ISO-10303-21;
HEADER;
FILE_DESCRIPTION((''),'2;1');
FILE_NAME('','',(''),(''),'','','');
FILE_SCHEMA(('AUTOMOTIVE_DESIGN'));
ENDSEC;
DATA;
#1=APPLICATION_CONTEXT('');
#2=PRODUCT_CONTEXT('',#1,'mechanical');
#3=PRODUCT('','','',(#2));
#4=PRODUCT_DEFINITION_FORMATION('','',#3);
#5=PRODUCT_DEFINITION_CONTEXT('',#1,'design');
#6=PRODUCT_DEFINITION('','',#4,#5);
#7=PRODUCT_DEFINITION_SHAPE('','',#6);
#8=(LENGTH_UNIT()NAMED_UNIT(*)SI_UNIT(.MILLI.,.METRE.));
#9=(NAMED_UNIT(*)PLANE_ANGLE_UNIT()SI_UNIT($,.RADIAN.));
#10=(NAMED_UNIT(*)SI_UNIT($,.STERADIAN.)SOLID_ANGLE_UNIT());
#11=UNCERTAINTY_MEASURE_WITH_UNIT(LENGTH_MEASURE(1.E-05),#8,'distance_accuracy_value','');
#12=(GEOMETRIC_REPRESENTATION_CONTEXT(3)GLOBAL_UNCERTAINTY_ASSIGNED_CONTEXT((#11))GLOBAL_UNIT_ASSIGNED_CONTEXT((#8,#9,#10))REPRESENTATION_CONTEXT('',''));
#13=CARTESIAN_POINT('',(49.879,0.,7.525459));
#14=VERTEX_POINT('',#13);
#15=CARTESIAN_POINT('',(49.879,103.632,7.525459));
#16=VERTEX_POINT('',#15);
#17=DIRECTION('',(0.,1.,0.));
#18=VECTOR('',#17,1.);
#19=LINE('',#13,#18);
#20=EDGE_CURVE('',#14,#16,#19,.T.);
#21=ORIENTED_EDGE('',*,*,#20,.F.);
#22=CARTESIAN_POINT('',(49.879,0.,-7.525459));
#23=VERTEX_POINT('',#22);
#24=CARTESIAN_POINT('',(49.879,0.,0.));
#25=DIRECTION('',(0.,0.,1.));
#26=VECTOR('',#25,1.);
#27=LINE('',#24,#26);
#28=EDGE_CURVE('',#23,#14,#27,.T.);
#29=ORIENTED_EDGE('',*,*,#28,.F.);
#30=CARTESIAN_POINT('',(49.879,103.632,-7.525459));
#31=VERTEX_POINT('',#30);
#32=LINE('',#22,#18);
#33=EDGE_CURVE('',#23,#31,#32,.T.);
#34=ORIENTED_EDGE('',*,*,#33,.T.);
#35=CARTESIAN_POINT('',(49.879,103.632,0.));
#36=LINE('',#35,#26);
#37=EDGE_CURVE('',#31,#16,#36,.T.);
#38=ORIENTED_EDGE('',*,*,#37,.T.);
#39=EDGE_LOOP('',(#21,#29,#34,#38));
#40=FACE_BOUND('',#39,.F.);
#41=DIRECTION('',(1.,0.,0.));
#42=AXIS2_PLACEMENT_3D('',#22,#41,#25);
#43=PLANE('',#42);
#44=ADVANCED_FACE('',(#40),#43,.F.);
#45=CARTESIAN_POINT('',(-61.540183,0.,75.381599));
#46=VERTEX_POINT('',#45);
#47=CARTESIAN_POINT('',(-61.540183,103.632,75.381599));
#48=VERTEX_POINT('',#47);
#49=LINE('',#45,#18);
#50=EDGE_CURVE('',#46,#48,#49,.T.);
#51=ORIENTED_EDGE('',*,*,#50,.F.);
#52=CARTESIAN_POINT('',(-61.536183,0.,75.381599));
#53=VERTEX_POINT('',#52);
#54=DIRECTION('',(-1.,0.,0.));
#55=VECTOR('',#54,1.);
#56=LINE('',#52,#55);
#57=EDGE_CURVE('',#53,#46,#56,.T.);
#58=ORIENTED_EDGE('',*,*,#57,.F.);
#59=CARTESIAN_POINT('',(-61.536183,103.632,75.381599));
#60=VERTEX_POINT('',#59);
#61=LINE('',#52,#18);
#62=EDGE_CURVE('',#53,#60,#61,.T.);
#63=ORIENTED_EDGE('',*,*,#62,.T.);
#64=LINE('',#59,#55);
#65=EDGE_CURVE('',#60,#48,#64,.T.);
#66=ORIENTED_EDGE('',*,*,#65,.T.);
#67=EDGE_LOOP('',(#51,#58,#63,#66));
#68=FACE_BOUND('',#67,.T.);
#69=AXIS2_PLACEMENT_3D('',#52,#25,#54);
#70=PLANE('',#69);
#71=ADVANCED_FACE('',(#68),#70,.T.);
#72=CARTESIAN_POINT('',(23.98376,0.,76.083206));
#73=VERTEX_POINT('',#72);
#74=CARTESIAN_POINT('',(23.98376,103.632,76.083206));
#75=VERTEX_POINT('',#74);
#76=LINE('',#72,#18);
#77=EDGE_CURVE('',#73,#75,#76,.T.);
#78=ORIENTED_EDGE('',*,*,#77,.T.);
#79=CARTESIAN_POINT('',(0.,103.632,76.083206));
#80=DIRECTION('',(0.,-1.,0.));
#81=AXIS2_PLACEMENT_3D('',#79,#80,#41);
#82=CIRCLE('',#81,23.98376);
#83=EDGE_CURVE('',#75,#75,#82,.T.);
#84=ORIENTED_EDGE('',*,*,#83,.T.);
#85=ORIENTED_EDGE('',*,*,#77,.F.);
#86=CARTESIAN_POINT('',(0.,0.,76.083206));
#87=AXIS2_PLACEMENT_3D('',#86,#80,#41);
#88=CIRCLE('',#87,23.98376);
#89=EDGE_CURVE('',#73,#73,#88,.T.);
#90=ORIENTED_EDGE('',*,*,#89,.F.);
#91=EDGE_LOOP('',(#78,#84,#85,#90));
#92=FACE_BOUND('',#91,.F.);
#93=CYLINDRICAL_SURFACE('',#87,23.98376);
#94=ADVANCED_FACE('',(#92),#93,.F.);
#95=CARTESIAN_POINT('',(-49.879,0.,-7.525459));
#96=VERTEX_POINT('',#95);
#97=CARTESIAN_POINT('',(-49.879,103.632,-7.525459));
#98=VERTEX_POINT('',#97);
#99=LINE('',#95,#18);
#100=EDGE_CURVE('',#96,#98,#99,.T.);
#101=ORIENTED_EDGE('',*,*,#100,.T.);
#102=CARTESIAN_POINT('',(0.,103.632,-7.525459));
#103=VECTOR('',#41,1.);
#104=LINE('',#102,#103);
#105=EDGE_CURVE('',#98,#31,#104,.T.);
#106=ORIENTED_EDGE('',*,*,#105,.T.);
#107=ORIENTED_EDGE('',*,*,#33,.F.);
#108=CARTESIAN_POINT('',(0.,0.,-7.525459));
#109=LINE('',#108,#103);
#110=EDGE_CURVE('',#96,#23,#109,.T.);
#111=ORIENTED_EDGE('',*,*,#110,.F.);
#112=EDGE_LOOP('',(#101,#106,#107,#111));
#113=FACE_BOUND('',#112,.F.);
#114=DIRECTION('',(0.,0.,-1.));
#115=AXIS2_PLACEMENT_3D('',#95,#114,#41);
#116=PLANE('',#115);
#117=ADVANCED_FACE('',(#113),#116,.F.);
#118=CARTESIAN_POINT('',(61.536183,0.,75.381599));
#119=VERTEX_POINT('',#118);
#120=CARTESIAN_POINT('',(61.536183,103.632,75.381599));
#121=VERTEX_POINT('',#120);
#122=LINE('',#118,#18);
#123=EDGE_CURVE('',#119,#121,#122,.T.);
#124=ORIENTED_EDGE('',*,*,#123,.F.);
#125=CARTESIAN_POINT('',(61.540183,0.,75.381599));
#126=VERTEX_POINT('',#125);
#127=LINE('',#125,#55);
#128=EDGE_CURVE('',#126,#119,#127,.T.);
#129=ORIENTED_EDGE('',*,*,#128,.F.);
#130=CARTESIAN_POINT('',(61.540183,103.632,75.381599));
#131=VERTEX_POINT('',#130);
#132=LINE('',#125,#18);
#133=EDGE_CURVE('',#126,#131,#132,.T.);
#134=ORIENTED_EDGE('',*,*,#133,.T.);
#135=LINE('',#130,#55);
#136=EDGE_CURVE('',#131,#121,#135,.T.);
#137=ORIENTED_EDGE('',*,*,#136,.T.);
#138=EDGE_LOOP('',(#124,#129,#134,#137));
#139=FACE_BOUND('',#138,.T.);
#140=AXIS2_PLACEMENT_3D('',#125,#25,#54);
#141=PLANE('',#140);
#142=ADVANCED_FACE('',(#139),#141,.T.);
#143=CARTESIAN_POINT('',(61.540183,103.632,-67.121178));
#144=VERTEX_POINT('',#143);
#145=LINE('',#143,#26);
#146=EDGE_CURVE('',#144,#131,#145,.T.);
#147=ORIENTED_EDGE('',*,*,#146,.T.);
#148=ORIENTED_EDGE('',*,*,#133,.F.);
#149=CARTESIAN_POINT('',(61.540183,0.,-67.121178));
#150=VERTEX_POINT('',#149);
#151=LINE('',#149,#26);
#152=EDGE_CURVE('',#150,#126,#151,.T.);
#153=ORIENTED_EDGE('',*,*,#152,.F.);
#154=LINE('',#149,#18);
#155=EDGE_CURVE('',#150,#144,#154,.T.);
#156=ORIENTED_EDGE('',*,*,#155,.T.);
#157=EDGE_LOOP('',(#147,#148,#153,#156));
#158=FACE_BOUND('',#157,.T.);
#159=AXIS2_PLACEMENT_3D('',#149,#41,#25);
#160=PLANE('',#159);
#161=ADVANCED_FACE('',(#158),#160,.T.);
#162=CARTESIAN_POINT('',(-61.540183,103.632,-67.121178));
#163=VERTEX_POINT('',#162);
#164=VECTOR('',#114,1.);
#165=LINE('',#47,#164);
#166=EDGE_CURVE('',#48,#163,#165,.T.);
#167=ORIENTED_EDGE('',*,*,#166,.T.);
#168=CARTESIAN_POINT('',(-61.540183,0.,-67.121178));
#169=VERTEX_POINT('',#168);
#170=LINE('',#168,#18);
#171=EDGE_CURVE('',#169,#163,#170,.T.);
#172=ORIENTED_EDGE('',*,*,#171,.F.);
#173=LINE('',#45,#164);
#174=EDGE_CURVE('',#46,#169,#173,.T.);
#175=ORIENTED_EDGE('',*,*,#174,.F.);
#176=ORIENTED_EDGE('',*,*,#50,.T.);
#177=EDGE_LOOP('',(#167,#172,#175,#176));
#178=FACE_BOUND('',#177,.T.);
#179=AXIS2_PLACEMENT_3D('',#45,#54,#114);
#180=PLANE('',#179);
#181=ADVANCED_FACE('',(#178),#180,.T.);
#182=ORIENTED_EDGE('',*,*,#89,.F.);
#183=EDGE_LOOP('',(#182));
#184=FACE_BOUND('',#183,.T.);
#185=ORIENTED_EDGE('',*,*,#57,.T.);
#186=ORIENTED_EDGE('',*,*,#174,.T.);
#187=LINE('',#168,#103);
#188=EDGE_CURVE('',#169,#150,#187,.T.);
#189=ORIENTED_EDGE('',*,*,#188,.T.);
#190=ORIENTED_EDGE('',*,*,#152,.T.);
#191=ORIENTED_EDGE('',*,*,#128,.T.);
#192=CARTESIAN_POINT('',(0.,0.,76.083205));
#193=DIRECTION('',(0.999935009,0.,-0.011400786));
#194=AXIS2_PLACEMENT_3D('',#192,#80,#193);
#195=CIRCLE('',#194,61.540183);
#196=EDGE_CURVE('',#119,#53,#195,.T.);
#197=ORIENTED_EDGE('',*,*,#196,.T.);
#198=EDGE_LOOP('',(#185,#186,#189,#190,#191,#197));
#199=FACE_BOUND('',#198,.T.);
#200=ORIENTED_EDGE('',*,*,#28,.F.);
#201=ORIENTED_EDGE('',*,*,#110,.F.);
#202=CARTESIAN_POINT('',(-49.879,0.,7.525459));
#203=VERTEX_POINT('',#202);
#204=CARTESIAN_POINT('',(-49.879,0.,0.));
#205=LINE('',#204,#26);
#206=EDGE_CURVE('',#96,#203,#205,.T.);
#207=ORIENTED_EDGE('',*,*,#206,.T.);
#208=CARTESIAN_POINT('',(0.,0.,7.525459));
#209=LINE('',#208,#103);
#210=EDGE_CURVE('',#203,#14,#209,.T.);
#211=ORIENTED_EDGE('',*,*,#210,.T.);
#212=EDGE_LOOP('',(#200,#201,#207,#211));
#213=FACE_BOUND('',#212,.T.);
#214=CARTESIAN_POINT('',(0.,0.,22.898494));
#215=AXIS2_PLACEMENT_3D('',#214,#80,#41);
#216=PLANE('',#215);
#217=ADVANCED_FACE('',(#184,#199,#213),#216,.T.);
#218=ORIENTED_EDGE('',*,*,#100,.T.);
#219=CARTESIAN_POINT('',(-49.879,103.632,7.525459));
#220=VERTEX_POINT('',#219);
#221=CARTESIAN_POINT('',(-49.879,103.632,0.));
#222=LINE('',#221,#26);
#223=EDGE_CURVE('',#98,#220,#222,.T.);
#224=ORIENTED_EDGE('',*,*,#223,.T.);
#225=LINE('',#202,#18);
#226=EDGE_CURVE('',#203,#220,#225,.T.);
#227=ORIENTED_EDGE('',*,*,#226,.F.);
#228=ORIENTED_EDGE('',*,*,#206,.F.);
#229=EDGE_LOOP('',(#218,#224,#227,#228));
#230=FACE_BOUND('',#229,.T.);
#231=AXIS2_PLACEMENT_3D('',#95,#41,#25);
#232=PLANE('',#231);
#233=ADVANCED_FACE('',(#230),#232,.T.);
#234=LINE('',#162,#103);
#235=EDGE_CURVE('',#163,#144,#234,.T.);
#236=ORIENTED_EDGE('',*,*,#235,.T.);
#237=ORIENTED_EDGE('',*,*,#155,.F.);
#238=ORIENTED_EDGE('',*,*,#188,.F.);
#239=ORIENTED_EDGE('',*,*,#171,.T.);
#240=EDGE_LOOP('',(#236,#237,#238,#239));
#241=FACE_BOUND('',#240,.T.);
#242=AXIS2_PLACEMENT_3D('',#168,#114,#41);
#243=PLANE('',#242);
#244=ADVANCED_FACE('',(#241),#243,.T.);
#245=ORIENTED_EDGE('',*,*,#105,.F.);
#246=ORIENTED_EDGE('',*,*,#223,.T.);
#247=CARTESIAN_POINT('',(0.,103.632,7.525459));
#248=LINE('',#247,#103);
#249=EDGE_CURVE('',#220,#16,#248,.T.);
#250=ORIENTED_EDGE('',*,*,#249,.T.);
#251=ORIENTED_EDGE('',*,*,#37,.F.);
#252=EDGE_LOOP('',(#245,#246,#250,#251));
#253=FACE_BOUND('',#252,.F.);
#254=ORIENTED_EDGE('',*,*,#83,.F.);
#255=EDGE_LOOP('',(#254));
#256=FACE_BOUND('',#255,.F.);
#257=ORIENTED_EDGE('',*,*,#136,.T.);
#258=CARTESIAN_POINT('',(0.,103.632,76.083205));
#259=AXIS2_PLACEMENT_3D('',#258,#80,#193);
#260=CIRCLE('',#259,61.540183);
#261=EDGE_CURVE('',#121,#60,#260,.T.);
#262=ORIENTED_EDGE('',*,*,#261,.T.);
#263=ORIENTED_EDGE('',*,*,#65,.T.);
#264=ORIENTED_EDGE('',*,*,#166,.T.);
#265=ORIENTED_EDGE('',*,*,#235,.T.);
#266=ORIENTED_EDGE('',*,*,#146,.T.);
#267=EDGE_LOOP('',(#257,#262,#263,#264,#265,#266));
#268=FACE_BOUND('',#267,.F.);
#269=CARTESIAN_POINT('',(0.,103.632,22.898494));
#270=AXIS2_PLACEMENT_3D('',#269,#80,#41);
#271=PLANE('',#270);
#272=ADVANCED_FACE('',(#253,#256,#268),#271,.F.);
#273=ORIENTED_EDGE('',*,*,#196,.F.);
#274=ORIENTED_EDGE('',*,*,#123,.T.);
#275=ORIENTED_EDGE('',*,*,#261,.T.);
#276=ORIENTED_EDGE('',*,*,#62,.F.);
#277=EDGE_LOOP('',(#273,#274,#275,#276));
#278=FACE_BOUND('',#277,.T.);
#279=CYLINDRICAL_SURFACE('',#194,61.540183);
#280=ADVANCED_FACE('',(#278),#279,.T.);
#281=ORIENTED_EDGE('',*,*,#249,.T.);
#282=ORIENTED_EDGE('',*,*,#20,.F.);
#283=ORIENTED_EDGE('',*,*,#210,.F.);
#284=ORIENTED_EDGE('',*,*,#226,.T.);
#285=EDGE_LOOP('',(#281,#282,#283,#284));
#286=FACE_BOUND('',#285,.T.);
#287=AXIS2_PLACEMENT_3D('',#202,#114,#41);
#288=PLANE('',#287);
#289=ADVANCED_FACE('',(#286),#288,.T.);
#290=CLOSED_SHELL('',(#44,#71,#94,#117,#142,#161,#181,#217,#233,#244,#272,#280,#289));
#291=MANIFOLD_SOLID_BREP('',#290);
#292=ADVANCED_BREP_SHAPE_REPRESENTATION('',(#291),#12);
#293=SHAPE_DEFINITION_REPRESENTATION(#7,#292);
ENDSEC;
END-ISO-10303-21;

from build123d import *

# Parameters (mm, degrees)
F0_R     = 23.98376
F1_DEPTH = 103.632
F2_W     = 99.758
F2_H     = 15.050918
F3_DEPTH = 103.632


with BuildPart() as f1:
    # F0 (on Front) → F1 (new body)
    with BuildSketch(Plane.XZ):
        with BuildLine():
            Line((-61.540183, 75.381599), (-61.540183, -67.121178))
            Line((-61.540183, -67.121178), (61.540183, -67.121178))
            Line((61.540183, -67.121178), (61.540183, 75.381599))
            Line((61.540183, 75.381599), (61.536183, 75.381599))
            ThreePointArc((61.536183, 75.381599), (0, 137.623388), (-61.536183, 75.381599))
            Line((-61.536183, 75.381599), (-61.540183, 75.381599))
        make_face()
        with Locations((0, 76.083206)):
            Circle(F0_R, mode=Mode.SUBTRACT)
    extrude(amount=-F1_DEPTH)

    # F2 (on Front) → F3 (cut, through all)
    with BuildSketch(Plane.XZ):
        Rectangle(F2_W, F2_H)
    extrude(amount=-F3_DEPTH, mode=Mode.SUBTRACT)


solid = f1.part
